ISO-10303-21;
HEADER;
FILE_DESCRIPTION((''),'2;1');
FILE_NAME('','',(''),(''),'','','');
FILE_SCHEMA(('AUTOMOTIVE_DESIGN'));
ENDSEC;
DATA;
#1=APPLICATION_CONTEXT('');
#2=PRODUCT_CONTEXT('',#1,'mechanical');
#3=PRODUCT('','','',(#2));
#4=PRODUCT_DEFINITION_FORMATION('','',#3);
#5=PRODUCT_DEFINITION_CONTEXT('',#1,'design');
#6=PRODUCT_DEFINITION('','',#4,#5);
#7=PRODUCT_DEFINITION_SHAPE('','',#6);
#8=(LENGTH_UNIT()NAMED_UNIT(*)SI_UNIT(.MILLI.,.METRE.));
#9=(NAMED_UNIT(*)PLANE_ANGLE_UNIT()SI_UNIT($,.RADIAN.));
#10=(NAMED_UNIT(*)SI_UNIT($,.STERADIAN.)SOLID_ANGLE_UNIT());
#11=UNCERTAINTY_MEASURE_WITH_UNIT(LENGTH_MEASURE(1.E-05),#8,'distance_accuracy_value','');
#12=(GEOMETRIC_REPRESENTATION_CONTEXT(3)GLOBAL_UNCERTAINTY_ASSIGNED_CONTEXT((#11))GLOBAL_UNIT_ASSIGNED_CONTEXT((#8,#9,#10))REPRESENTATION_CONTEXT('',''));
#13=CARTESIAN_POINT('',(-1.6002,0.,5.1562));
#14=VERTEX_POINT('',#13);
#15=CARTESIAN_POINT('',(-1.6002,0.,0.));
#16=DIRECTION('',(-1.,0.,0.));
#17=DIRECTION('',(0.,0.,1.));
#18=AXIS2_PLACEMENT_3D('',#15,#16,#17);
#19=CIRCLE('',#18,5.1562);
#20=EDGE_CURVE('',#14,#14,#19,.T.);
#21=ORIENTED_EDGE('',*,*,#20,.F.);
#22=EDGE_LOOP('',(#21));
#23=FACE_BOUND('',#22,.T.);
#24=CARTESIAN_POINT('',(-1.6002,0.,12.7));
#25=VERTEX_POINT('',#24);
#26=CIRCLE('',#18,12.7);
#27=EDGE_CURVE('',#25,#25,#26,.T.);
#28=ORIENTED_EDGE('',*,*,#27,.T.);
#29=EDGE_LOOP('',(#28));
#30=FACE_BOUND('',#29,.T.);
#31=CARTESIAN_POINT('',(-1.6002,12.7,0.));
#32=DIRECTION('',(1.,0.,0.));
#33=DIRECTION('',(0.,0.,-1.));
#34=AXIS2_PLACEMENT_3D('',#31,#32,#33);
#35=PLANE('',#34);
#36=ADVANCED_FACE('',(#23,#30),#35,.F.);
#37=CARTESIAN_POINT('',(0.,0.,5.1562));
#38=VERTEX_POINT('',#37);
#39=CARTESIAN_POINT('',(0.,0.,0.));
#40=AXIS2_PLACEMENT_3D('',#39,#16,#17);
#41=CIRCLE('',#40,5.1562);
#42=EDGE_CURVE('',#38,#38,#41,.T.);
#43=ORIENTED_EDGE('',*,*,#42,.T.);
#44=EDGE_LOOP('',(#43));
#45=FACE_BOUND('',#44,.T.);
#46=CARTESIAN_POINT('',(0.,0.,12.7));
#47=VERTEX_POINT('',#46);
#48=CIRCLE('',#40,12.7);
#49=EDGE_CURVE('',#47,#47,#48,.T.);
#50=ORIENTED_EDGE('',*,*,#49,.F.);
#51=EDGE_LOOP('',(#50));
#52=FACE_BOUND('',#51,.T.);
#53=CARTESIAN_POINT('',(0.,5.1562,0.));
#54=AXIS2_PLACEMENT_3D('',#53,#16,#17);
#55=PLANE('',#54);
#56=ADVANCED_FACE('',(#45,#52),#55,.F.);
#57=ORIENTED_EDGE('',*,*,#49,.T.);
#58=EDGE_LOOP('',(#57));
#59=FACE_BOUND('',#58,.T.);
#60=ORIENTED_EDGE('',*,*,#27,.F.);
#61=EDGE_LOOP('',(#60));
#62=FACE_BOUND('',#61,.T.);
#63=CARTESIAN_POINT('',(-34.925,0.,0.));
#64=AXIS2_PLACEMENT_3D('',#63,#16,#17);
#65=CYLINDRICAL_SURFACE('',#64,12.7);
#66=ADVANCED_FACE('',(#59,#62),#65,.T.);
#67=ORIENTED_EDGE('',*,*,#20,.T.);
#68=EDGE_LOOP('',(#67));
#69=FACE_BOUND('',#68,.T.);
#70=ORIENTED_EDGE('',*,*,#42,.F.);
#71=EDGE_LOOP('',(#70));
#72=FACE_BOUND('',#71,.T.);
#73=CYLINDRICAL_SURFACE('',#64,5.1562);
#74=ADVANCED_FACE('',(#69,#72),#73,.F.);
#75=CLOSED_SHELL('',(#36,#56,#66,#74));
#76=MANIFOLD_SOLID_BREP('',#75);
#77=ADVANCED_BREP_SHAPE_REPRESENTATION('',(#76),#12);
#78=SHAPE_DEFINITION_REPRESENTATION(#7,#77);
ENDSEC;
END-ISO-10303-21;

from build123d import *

# Parameters (mm, degrees)
SKETCH1_W = 1.6002
SKETCH1_H = 7.5438


with BuildPart() as part:
    # Sketch1 → Base-Revolve (revolve)
    with BuildSketch(Plane.XY, mode=Mode.PRIVATE) as base_revolve_sk:
        with Locations((-0.8001, 8.9281)):
            Rectangle(SKETCH1_W, SKETCH1_H)
    revolve(base_revolve_sk.sketch.rotate(Axis((-34.925, 0, 0), (1, 0, 0)), 90), axis=Axis((-34.925, 0, 0), (1, 0, 0)))


solid = part.part
